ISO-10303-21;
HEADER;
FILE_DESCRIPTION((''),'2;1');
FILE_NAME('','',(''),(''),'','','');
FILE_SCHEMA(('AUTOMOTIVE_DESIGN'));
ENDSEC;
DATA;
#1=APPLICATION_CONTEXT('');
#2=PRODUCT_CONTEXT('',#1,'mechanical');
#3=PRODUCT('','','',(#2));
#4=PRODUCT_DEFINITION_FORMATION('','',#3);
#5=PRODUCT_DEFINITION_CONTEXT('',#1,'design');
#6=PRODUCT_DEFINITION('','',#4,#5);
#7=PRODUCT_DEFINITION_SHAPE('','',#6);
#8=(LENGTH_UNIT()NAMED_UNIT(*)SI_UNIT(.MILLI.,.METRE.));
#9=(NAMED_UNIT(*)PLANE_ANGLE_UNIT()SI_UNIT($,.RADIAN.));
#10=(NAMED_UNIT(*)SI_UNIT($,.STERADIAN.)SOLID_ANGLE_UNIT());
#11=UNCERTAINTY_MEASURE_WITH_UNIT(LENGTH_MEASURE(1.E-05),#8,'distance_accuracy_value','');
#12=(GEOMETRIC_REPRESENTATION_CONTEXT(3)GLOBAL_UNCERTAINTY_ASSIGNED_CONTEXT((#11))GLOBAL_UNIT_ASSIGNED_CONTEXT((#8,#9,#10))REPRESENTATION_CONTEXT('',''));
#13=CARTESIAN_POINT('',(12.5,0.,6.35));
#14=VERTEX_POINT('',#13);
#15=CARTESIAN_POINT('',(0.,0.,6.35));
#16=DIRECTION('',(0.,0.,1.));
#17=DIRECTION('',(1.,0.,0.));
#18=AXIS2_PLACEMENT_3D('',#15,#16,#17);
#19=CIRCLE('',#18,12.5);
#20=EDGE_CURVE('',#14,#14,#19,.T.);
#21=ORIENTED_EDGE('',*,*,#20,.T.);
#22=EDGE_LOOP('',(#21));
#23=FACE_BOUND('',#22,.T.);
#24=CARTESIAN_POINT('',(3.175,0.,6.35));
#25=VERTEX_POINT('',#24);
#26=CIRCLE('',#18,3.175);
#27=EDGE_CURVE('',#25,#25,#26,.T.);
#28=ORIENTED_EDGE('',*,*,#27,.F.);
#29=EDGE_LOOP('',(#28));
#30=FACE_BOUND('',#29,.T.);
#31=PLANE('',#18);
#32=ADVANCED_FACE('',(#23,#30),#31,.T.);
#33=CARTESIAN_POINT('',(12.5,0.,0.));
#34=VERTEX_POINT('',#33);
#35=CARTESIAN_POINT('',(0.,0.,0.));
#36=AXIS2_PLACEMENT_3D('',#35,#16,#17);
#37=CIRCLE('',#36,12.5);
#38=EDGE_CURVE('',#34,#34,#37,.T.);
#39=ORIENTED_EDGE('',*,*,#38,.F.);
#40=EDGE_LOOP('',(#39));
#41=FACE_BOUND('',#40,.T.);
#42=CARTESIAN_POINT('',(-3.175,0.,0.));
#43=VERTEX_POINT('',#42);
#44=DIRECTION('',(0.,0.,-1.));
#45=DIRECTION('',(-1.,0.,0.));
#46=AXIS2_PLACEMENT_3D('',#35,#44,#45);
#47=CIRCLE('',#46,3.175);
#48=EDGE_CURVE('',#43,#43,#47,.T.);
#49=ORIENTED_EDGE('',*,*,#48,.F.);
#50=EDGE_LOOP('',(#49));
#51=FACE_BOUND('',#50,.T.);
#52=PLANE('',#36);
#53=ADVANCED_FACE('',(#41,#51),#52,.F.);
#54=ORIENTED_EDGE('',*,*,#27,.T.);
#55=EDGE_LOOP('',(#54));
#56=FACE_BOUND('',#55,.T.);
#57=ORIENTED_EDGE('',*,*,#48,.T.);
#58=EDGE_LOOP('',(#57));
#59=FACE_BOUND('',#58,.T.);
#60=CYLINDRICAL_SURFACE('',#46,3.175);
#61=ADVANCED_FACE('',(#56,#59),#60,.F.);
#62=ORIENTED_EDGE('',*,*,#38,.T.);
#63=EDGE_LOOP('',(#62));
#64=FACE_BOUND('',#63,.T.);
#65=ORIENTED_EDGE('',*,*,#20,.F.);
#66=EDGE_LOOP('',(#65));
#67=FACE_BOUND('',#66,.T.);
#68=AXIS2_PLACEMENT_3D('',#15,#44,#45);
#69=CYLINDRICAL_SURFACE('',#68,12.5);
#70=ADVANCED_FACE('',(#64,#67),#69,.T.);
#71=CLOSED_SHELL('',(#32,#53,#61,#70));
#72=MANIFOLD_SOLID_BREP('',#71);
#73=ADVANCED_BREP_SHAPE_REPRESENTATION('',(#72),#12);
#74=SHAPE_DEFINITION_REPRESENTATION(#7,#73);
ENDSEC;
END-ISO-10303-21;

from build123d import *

# Parameters (mm, degrees)
SKETCH1_R                       = 12.5
BOSS_EXTRUDE1_DEPTH             = 6.35
F_1_4_0_25_DIAMETER_HOLE1_D     = 6.35
F_1_4_0_25_DIAMETER_HOLE1_DEPTH = 18
F_1_4_0_25_DIAMETER_HOLE1_TIP   = 1.907732465


with BuildPart() as part:
    # Sketch1 → Boss-Extrude1 (new body)
    with BuildSketch(Plane.XY):
        Circle(SKETCH1_R)
    extrude(amount=BOSS_EXTRUDE1_DEPTH)

    # 1/4 (0.25) Diameter Hole1
    with Locations(Plane(origin=(0, 0, 0), x_dir=(-1, 0, 0), z_dir=(0, 0, -1))):
        with Locations((0, 0)):
            Hole(F_1_4_0_25_DIAMETER_HOLE1_D / 2, depth=F_1_4_0_25_DIAMETER_HOLE1_DEPTH)
            with Locations((0, 0, -(F_1_4_0_25_DIAMETER_HOLE1_DEPTH + F_1_4_0_25_DIAMETER_HOLE1_TIP / 2))):  # 118° drill point
                Cone(0, F_1_4_0_25_DIAMETER_HOLE1_D / 2, F_1_4_0_25_DIAMETER_HOLE1_TIP, mode=Mode.SUBTRACT)


solid = part.part
